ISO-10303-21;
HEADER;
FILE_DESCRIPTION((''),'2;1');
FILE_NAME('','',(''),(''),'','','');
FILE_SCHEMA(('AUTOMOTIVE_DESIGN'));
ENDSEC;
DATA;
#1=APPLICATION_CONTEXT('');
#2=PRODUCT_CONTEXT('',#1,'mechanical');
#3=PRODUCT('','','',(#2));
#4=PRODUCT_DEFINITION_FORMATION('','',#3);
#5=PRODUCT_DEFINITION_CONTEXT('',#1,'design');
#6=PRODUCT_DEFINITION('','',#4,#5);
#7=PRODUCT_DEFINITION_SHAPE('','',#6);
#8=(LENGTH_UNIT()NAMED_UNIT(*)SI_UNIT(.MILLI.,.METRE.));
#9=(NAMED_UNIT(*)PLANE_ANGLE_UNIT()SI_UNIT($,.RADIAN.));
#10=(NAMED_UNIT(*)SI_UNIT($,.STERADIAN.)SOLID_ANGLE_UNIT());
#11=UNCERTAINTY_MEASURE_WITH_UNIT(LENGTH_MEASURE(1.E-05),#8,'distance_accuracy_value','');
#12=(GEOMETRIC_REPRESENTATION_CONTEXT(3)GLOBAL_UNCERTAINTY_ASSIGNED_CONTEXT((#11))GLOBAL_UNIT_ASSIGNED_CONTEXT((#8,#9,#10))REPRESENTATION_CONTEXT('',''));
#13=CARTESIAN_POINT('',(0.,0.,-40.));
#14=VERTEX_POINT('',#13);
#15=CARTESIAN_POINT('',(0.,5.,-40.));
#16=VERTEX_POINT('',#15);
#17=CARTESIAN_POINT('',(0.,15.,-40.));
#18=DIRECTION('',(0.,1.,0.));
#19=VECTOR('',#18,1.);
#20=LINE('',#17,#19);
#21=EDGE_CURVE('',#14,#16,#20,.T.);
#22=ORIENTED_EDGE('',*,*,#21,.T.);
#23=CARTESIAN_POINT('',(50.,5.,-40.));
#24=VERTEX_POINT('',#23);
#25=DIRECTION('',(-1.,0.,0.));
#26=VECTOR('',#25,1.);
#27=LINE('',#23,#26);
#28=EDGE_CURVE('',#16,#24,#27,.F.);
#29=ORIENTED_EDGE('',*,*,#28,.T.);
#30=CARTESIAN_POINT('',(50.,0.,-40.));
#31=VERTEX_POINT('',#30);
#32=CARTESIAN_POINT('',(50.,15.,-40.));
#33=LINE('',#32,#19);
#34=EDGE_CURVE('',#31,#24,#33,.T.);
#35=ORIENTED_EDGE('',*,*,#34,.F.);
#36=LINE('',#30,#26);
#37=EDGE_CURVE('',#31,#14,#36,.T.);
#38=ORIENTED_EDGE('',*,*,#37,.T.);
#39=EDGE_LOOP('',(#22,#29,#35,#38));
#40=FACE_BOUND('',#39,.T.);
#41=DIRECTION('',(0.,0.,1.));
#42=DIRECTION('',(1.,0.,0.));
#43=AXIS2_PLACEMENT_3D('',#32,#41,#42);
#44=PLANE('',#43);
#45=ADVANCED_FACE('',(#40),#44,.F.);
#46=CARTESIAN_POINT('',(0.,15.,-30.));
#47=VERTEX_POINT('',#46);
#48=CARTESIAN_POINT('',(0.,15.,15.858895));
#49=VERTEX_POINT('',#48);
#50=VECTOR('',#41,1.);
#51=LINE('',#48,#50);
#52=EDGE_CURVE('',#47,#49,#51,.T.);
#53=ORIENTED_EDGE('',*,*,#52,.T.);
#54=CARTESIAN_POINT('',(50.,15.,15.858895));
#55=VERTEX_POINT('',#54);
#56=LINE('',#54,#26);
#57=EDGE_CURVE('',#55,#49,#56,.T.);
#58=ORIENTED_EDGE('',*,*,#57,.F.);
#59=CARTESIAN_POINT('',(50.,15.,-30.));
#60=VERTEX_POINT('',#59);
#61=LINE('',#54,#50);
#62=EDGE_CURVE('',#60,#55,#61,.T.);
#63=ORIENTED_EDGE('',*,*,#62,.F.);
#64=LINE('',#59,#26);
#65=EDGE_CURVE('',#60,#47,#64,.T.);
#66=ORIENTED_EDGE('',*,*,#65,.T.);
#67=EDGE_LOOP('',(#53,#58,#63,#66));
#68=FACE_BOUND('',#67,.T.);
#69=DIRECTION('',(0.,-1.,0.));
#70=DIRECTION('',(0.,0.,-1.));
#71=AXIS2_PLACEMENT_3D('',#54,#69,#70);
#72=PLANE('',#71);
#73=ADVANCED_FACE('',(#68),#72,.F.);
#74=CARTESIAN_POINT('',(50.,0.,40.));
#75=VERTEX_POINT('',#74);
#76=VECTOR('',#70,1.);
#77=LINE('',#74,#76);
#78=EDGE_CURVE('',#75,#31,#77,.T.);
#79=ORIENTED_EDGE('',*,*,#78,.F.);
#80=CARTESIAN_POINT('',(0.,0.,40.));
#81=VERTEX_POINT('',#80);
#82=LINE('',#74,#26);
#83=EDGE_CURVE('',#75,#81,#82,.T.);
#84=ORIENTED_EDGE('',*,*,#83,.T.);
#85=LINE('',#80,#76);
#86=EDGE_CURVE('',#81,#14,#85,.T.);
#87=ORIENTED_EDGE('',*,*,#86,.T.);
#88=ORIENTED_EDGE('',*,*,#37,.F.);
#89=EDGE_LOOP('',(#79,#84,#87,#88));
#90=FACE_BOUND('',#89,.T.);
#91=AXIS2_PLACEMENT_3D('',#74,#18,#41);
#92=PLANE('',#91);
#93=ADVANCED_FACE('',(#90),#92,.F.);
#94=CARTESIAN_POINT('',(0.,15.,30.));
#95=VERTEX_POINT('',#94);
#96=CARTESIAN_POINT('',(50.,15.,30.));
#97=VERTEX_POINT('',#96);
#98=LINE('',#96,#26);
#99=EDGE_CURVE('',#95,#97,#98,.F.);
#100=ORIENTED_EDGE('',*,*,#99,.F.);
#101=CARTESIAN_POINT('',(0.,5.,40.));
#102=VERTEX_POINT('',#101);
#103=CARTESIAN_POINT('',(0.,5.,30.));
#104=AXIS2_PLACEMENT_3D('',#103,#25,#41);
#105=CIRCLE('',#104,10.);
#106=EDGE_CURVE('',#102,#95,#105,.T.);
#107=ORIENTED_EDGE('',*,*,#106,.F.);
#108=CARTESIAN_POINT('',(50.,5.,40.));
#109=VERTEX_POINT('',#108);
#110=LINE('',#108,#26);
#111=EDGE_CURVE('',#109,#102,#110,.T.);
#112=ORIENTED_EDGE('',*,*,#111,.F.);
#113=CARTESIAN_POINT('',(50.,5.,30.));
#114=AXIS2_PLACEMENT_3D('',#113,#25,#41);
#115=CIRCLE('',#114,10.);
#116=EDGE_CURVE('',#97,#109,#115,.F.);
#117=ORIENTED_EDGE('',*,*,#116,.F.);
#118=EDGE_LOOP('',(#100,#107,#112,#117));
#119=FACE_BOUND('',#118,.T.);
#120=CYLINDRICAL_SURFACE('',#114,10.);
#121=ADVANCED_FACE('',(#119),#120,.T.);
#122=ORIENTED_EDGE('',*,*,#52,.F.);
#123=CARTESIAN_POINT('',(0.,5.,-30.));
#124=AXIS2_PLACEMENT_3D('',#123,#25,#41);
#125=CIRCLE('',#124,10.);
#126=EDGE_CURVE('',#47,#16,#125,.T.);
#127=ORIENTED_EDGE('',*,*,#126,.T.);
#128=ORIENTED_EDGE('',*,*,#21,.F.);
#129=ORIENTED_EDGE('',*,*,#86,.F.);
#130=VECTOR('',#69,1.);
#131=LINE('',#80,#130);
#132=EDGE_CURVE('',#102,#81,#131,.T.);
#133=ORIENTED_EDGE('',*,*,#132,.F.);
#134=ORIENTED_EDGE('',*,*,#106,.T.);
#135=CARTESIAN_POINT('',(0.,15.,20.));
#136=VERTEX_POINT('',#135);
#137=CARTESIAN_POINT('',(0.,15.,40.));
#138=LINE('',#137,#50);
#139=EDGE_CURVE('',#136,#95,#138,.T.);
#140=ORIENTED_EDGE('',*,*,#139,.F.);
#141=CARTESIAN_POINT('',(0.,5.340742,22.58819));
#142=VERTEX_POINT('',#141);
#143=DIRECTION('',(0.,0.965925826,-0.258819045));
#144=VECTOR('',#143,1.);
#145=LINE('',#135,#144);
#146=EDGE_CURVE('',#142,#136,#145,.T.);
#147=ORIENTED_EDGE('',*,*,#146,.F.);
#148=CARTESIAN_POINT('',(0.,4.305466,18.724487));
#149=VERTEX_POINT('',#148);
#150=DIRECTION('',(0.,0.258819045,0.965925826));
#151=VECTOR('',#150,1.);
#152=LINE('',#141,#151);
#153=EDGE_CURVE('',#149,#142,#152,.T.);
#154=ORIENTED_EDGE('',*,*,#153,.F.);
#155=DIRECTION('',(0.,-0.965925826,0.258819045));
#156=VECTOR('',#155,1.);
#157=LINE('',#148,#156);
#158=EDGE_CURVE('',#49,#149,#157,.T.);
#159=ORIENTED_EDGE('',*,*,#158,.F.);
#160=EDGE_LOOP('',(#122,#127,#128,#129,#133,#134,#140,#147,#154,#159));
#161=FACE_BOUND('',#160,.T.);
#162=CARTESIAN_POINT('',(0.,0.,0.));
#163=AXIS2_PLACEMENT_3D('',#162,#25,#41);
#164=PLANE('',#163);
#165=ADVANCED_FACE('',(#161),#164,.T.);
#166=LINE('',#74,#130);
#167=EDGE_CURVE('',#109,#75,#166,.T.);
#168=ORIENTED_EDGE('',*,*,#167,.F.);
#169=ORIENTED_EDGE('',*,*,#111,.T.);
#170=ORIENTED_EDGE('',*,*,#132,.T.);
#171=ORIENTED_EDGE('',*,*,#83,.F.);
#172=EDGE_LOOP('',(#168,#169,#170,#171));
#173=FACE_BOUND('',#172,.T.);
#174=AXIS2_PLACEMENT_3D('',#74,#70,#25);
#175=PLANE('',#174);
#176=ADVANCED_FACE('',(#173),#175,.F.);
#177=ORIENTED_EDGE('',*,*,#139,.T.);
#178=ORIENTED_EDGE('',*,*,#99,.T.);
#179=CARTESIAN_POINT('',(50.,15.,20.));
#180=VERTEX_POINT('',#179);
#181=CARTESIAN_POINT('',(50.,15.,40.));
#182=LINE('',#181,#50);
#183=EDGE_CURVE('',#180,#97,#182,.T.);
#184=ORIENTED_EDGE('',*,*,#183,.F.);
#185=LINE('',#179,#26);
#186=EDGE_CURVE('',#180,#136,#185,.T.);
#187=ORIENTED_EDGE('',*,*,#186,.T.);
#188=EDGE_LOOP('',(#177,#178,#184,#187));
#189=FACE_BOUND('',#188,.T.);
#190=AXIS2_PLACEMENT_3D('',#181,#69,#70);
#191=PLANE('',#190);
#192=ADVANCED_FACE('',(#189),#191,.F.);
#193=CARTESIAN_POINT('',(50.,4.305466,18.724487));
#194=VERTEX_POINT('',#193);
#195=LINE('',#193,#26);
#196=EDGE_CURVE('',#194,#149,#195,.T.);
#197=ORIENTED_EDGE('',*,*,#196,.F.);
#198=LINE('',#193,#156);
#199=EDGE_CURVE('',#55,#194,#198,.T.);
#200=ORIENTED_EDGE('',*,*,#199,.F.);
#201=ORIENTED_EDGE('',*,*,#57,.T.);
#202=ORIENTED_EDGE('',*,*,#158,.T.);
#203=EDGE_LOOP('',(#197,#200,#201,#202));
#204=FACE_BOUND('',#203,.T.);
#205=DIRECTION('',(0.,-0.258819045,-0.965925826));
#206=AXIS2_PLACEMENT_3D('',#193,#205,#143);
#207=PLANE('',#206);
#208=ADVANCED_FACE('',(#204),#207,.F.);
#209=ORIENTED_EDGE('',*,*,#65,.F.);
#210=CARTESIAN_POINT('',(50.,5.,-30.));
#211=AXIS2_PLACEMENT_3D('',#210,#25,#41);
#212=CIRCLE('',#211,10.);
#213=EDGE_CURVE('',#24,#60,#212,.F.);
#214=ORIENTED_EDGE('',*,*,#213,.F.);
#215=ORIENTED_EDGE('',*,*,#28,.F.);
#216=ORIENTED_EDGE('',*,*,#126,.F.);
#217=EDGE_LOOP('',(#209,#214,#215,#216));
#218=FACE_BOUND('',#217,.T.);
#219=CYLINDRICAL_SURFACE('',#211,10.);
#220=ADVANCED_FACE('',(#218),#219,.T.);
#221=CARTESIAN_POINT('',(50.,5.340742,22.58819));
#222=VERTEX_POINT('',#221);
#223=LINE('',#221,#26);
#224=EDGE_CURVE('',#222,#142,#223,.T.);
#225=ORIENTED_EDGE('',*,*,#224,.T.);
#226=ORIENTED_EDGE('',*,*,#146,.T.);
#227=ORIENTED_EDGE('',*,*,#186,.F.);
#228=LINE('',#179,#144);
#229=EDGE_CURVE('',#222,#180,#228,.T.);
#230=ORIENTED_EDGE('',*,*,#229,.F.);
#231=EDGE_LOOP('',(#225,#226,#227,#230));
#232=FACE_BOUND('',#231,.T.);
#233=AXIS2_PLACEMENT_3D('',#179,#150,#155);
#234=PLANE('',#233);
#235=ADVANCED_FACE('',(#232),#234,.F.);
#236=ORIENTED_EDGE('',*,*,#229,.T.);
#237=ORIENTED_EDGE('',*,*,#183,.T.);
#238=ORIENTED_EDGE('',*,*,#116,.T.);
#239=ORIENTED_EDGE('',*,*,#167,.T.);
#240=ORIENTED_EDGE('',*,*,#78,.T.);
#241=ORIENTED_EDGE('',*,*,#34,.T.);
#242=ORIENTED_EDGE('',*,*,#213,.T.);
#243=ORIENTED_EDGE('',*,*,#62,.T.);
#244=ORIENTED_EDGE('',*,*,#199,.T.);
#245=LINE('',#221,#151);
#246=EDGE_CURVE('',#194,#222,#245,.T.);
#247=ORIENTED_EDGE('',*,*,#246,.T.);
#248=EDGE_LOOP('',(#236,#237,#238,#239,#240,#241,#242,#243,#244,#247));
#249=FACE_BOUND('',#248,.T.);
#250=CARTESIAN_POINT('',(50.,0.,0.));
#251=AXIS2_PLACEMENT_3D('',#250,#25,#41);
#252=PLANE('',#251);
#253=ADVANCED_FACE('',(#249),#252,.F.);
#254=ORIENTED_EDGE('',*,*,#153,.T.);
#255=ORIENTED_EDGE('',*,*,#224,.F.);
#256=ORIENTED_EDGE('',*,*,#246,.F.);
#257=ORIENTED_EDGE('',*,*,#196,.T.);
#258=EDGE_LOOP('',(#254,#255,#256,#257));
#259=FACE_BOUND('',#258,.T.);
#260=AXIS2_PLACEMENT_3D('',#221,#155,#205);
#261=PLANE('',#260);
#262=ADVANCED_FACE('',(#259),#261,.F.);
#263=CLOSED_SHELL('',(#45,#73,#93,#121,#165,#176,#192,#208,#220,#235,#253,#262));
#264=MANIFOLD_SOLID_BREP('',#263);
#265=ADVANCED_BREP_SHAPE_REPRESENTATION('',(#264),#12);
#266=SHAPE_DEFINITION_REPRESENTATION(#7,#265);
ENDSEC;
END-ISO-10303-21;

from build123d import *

# Parameters (mm, degrees)
BOSS_EXTRU_1_DEPTH = 50
CONG_1_R           = 10


with BuildPart() as part:
    # Esquisse1 → Boss.-Extru.1 (new body)
    with BuildSketch(Plane(origin=(0, 0, 0), x_dir=(0, 0, -1), z_dir=(1, 0, 0))):
        Polygon((-40, 0), (40, 0), (40, 15), (-15.858895278, 15), (-18.724487146, 4.305465557), (-22.588190451, 5.340741737), (-20, 15), (-40, 15), align=None)
    extrude(amount=BOSS_EXTRU_1_DEPTH)

    # Congé1
    cong_1_edges = [part.edges().sort_by_distance(p)[0] for p in [
        (25, 15, -40),
        (25, 15, 40),
    ]]
    fillet(cong_1_edges, radius=CONG_1_R)


solid = part.part
